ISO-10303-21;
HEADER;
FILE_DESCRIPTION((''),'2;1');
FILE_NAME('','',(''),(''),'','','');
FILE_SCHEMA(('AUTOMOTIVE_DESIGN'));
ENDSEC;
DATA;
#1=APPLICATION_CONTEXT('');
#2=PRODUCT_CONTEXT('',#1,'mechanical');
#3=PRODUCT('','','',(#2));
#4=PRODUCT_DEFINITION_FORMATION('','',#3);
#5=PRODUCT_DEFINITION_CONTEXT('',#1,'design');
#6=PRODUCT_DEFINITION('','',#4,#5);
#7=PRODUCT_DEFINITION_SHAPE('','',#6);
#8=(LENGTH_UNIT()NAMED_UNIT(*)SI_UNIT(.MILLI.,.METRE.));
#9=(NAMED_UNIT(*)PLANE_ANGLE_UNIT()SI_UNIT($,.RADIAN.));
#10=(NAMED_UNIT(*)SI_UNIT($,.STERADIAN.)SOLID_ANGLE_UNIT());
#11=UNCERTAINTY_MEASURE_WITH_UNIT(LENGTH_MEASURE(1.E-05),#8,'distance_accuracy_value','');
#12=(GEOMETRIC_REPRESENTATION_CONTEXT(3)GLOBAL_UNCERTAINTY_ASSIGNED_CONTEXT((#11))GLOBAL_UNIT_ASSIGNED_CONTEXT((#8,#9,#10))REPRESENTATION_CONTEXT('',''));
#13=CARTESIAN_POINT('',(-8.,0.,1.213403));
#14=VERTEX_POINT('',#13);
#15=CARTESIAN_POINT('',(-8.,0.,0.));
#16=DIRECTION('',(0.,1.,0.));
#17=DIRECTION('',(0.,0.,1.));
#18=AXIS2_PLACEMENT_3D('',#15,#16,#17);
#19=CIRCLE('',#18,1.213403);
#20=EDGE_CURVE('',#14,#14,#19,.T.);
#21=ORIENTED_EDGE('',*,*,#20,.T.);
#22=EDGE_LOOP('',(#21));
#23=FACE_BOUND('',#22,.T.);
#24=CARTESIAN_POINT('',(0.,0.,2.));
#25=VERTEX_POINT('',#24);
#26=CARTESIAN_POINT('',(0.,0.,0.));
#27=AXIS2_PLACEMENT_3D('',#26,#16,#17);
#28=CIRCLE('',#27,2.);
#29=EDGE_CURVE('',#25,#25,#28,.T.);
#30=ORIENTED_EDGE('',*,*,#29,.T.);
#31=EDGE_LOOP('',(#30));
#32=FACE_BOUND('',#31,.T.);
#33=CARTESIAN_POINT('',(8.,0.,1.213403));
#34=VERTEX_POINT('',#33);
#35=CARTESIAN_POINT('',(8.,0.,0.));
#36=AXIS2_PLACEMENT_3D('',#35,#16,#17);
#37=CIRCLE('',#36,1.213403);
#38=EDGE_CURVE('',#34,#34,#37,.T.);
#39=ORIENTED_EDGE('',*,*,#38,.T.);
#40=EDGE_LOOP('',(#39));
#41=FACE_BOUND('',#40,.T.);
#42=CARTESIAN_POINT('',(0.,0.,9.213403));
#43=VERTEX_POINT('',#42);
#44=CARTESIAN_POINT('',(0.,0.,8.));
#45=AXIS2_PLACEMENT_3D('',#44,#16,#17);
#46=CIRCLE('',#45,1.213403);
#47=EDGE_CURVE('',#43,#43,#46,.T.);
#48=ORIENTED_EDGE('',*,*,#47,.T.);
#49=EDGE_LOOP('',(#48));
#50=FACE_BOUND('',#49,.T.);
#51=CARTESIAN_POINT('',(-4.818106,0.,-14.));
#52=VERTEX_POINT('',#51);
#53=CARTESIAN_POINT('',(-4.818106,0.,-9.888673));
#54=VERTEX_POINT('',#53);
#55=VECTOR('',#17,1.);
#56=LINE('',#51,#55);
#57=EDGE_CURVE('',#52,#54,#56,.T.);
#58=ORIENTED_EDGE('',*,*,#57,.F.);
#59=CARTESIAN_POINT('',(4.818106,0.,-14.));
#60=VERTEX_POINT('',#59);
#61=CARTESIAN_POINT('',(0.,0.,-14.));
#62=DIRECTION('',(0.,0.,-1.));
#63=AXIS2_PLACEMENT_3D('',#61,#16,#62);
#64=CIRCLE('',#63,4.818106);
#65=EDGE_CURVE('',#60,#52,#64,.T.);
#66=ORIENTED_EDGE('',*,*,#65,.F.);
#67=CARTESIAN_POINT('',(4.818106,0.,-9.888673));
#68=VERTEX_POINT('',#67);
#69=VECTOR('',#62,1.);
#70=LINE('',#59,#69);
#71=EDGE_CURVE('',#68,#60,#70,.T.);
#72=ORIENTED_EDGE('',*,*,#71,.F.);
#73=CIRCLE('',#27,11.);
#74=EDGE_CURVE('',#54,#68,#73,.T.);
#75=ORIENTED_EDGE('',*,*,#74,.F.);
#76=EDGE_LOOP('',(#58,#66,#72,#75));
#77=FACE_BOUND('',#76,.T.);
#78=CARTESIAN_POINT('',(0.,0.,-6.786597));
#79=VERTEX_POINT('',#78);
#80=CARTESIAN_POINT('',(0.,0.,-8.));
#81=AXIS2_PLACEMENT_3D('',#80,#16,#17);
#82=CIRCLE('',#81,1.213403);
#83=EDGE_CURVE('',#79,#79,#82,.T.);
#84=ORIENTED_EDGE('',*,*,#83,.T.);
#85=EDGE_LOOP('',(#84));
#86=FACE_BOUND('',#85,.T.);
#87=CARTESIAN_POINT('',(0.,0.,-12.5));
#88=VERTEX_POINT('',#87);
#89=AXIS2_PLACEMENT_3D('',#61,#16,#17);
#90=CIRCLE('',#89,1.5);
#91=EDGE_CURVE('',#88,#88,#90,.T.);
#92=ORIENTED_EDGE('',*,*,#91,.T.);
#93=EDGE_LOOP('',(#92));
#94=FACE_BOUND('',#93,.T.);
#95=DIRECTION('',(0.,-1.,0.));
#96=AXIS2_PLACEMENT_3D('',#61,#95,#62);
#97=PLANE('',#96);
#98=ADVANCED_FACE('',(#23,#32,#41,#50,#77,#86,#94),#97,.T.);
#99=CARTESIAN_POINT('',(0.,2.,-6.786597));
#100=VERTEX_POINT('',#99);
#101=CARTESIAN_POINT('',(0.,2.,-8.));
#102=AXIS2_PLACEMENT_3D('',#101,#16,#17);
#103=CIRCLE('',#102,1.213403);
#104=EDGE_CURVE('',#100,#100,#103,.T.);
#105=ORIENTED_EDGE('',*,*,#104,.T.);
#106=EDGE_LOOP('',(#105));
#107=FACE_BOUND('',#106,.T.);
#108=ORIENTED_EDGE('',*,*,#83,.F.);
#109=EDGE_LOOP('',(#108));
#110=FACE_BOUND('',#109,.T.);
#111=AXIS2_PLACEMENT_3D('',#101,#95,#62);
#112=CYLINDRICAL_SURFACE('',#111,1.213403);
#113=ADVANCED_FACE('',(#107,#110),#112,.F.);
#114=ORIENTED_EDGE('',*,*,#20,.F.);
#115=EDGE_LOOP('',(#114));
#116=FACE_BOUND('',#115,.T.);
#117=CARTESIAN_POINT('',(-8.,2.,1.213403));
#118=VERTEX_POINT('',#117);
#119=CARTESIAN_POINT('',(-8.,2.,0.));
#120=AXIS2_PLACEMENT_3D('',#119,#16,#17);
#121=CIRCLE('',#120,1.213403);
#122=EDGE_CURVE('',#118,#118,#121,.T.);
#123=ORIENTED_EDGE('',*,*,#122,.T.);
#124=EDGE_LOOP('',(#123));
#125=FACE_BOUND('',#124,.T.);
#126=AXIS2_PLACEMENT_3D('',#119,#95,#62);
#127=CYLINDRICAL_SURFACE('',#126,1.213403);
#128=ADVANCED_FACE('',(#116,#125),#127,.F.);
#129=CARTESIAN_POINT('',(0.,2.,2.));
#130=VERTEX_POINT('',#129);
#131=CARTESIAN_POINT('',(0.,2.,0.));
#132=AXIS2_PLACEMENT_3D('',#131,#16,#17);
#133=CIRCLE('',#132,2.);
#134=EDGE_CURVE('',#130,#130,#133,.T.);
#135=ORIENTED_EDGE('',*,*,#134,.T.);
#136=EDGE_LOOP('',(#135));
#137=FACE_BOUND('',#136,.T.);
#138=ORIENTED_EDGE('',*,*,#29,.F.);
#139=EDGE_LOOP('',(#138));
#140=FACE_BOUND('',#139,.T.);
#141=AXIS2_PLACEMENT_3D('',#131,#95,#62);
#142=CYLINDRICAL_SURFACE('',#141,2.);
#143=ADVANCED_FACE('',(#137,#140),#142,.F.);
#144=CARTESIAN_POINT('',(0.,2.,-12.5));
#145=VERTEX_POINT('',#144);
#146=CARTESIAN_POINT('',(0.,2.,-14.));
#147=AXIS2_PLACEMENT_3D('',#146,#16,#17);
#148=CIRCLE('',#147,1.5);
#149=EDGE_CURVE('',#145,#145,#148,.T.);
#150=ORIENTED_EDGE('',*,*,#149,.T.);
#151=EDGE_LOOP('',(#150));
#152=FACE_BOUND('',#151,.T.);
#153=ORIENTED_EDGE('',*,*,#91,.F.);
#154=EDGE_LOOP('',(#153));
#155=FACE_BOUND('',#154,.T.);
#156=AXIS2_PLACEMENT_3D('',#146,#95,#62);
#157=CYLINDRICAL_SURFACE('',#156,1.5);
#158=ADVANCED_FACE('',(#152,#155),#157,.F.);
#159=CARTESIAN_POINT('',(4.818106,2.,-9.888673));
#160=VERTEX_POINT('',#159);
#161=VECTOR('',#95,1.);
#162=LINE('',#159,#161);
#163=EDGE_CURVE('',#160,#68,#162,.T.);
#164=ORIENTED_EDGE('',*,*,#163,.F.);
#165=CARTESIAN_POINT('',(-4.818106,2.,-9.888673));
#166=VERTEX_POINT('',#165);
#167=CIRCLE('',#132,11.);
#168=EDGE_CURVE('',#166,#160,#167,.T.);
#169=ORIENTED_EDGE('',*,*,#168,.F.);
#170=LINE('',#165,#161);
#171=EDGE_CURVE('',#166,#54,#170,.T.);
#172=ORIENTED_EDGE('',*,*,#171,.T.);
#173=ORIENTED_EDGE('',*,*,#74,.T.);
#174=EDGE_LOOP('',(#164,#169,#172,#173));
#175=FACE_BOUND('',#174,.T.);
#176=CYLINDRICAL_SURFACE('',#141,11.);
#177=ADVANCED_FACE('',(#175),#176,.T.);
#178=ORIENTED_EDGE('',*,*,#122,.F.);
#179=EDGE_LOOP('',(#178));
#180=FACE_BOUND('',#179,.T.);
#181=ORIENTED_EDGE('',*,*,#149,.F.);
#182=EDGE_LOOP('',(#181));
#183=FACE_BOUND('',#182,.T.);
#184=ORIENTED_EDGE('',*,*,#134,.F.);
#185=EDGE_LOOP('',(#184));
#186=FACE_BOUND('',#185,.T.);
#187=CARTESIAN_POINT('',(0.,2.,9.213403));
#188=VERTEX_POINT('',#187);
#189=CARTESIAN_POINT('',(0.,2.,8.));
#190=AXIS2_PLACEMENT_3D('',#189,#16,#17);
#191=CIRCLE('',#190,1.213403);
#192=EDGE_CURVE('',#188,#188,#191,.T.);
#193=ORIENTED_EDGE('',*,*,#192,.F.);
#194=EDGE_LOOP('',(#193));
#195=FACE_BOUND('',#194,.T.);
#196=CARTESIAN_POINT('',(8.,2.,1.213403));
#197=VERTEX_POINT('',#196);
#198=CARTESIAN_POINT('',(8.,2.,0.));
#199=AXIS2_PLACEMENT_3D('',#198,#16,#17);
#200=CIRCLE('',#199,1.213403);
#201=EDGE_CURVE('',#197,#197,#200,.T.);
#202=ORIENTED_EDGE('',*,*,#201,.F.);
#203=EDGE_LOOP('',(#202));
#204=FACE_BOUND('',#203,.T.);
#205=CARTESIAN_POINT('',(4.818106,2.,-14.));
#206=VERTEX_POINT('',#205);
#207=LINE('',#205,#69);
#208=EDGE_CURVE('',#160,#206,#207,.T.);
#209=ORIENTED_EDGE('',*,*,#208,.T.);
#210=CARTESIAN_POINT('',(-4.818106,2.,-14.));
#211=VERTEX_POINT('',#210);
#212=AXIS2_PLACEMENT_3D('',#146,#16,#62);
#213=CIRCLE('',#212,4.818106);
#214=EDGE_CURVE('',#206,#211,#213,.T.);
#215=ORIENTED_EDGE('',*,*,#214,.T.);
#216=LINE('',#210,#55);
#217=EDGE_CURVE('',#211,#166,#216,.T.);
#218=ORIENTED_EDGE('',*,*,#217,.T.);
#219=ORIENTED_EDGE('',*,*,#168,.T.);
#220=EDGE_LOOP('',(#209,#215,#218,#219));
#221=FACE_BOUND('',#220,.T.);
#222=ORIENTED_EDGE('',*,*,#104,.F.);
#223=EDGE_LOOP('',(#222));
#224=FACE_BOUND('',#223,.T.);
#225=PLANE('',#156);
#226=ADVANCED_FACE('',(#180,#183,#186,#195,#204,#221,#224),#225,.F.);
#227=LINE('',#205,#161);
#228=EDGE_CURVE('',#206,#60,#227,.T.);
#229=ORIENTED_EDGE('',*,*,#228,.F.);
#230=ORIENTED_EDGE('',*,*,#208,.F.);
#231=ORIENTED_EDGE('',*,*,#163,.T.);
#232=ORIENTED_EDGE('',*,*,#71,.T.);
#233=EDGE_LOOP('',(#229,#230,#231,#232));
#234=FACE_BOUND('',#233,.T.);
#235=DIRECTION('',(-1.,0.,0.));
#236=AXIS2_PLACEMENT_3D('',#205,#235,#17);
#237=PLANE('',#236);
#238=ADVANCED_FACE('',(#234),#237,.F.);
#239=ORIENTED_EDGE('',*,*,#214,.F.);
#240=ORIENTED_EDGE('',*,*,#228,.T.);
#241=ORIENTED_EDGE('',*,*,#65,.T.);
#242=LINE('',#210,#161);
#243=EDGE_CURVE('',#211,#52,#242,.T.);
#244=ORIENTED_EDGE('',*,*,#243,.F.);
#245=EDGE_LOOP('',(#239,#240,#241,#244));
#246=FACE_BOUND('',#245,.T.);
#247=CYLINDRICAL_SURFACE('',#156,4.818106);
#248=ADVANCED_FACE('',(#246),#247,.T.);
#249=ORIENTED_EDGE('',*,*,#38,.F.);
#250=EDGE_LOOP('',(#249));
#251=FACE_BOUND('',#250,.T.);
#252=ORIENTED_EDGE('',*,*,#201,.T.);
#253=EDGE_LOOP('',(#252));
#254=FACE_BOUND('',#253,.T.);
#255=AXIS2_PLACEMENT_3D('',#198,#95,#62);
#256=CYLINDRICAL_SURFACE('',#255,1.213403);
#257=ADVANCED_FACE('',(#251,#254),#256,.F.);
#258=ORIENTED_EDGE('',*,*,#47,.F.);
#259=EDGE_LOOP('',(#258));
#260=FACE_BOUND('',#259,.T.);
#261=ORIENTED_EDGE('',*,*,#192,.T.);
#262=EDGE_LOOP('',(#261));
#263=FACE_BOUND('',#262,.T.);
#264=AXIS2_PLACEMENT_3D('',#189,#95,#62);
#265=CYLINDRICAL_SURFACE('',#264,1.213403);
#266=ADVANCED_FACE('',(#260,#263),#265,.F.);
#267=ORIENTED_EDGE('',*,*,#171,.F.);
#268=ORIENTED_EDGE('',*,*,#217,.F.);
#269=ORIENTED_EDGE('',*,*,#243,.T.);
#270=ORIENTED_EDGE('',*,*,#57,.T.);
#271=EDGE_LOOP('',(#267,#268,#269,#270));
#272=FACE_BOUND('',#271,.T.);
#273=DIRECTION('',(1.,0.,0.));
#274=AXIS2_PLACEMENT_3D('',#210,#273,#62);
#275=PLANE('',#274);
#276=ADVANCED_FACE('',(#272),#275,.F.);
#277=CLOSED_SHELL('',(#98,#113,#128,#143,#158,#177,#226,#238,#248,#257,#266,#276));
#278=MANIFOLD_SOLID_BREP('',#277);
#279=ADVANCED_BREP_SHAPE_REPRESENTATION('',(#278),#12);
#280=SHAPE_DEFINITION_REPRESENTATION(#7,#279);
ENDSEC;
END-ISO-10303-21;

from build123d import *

# Parameters (mm, degrees)
SKETCH1_R           = 1.213402711
SKETCH1_R_2         = 2
SKETCH1_R_3         = 1.5
BOSS_EXTRUDE1_DEPTH = 2


with BuildPart() as part:
    # Sketch1 → Boss-Extrude1 (new body)
    with BuildSketch(Plane(origin=(0, 0, 0), x_dir=(1, 0, 0), z_dir=(0, 1, 0))):
        with BuildLine():
            Line((-4.818106402, 14), (-4.818106402, 9.888672848))
            ThreePointArc((-4.818106402, 9.888672848), (0, -11), (4.818106402, 9.888672848))
            Line((4.818106402, 9.888672848), (4.818106402, 14))
            ThreePointArc((4.818106402, 14), (0, 18.818106402), (-4.818106402, 14))
        make_face()
        with Locations(Location((0, 8, 0), (0, 0, 270))):
            Circle(SKETCH1_R, mode=Mode.SUBTRACT)
        with Locations(Location((8, 0, 0), (0, 0, 270))):
            Circle(SKETCH1_R, mode=Mode.SUBTRACT)
        with Locations(Location((0, -8, 0), (0, 0, 270))):
            Circle(SKETCH1_R, mode=Mode.SUBTRACT)
        with Locations(Location((-8, 0, 0), (0, 0, 270))):
            Circle(SKETCH1_R, mode=Mode.SUBTRACT)
        with Locations(Location((0, 0, 0), (0, 0, 270))):
            Circle(SKETCH1_R_2, mode=Mode.SUBTRACT)
        with Locations(Location((0, 14, 0), (0, 0, 270))):
            Circle(SKETCH1_R_3, mode=Mode.SUBTRACT)
    extrude(amount=BOSS_EXTRUDE1_DEPTH)


solid = part.part
